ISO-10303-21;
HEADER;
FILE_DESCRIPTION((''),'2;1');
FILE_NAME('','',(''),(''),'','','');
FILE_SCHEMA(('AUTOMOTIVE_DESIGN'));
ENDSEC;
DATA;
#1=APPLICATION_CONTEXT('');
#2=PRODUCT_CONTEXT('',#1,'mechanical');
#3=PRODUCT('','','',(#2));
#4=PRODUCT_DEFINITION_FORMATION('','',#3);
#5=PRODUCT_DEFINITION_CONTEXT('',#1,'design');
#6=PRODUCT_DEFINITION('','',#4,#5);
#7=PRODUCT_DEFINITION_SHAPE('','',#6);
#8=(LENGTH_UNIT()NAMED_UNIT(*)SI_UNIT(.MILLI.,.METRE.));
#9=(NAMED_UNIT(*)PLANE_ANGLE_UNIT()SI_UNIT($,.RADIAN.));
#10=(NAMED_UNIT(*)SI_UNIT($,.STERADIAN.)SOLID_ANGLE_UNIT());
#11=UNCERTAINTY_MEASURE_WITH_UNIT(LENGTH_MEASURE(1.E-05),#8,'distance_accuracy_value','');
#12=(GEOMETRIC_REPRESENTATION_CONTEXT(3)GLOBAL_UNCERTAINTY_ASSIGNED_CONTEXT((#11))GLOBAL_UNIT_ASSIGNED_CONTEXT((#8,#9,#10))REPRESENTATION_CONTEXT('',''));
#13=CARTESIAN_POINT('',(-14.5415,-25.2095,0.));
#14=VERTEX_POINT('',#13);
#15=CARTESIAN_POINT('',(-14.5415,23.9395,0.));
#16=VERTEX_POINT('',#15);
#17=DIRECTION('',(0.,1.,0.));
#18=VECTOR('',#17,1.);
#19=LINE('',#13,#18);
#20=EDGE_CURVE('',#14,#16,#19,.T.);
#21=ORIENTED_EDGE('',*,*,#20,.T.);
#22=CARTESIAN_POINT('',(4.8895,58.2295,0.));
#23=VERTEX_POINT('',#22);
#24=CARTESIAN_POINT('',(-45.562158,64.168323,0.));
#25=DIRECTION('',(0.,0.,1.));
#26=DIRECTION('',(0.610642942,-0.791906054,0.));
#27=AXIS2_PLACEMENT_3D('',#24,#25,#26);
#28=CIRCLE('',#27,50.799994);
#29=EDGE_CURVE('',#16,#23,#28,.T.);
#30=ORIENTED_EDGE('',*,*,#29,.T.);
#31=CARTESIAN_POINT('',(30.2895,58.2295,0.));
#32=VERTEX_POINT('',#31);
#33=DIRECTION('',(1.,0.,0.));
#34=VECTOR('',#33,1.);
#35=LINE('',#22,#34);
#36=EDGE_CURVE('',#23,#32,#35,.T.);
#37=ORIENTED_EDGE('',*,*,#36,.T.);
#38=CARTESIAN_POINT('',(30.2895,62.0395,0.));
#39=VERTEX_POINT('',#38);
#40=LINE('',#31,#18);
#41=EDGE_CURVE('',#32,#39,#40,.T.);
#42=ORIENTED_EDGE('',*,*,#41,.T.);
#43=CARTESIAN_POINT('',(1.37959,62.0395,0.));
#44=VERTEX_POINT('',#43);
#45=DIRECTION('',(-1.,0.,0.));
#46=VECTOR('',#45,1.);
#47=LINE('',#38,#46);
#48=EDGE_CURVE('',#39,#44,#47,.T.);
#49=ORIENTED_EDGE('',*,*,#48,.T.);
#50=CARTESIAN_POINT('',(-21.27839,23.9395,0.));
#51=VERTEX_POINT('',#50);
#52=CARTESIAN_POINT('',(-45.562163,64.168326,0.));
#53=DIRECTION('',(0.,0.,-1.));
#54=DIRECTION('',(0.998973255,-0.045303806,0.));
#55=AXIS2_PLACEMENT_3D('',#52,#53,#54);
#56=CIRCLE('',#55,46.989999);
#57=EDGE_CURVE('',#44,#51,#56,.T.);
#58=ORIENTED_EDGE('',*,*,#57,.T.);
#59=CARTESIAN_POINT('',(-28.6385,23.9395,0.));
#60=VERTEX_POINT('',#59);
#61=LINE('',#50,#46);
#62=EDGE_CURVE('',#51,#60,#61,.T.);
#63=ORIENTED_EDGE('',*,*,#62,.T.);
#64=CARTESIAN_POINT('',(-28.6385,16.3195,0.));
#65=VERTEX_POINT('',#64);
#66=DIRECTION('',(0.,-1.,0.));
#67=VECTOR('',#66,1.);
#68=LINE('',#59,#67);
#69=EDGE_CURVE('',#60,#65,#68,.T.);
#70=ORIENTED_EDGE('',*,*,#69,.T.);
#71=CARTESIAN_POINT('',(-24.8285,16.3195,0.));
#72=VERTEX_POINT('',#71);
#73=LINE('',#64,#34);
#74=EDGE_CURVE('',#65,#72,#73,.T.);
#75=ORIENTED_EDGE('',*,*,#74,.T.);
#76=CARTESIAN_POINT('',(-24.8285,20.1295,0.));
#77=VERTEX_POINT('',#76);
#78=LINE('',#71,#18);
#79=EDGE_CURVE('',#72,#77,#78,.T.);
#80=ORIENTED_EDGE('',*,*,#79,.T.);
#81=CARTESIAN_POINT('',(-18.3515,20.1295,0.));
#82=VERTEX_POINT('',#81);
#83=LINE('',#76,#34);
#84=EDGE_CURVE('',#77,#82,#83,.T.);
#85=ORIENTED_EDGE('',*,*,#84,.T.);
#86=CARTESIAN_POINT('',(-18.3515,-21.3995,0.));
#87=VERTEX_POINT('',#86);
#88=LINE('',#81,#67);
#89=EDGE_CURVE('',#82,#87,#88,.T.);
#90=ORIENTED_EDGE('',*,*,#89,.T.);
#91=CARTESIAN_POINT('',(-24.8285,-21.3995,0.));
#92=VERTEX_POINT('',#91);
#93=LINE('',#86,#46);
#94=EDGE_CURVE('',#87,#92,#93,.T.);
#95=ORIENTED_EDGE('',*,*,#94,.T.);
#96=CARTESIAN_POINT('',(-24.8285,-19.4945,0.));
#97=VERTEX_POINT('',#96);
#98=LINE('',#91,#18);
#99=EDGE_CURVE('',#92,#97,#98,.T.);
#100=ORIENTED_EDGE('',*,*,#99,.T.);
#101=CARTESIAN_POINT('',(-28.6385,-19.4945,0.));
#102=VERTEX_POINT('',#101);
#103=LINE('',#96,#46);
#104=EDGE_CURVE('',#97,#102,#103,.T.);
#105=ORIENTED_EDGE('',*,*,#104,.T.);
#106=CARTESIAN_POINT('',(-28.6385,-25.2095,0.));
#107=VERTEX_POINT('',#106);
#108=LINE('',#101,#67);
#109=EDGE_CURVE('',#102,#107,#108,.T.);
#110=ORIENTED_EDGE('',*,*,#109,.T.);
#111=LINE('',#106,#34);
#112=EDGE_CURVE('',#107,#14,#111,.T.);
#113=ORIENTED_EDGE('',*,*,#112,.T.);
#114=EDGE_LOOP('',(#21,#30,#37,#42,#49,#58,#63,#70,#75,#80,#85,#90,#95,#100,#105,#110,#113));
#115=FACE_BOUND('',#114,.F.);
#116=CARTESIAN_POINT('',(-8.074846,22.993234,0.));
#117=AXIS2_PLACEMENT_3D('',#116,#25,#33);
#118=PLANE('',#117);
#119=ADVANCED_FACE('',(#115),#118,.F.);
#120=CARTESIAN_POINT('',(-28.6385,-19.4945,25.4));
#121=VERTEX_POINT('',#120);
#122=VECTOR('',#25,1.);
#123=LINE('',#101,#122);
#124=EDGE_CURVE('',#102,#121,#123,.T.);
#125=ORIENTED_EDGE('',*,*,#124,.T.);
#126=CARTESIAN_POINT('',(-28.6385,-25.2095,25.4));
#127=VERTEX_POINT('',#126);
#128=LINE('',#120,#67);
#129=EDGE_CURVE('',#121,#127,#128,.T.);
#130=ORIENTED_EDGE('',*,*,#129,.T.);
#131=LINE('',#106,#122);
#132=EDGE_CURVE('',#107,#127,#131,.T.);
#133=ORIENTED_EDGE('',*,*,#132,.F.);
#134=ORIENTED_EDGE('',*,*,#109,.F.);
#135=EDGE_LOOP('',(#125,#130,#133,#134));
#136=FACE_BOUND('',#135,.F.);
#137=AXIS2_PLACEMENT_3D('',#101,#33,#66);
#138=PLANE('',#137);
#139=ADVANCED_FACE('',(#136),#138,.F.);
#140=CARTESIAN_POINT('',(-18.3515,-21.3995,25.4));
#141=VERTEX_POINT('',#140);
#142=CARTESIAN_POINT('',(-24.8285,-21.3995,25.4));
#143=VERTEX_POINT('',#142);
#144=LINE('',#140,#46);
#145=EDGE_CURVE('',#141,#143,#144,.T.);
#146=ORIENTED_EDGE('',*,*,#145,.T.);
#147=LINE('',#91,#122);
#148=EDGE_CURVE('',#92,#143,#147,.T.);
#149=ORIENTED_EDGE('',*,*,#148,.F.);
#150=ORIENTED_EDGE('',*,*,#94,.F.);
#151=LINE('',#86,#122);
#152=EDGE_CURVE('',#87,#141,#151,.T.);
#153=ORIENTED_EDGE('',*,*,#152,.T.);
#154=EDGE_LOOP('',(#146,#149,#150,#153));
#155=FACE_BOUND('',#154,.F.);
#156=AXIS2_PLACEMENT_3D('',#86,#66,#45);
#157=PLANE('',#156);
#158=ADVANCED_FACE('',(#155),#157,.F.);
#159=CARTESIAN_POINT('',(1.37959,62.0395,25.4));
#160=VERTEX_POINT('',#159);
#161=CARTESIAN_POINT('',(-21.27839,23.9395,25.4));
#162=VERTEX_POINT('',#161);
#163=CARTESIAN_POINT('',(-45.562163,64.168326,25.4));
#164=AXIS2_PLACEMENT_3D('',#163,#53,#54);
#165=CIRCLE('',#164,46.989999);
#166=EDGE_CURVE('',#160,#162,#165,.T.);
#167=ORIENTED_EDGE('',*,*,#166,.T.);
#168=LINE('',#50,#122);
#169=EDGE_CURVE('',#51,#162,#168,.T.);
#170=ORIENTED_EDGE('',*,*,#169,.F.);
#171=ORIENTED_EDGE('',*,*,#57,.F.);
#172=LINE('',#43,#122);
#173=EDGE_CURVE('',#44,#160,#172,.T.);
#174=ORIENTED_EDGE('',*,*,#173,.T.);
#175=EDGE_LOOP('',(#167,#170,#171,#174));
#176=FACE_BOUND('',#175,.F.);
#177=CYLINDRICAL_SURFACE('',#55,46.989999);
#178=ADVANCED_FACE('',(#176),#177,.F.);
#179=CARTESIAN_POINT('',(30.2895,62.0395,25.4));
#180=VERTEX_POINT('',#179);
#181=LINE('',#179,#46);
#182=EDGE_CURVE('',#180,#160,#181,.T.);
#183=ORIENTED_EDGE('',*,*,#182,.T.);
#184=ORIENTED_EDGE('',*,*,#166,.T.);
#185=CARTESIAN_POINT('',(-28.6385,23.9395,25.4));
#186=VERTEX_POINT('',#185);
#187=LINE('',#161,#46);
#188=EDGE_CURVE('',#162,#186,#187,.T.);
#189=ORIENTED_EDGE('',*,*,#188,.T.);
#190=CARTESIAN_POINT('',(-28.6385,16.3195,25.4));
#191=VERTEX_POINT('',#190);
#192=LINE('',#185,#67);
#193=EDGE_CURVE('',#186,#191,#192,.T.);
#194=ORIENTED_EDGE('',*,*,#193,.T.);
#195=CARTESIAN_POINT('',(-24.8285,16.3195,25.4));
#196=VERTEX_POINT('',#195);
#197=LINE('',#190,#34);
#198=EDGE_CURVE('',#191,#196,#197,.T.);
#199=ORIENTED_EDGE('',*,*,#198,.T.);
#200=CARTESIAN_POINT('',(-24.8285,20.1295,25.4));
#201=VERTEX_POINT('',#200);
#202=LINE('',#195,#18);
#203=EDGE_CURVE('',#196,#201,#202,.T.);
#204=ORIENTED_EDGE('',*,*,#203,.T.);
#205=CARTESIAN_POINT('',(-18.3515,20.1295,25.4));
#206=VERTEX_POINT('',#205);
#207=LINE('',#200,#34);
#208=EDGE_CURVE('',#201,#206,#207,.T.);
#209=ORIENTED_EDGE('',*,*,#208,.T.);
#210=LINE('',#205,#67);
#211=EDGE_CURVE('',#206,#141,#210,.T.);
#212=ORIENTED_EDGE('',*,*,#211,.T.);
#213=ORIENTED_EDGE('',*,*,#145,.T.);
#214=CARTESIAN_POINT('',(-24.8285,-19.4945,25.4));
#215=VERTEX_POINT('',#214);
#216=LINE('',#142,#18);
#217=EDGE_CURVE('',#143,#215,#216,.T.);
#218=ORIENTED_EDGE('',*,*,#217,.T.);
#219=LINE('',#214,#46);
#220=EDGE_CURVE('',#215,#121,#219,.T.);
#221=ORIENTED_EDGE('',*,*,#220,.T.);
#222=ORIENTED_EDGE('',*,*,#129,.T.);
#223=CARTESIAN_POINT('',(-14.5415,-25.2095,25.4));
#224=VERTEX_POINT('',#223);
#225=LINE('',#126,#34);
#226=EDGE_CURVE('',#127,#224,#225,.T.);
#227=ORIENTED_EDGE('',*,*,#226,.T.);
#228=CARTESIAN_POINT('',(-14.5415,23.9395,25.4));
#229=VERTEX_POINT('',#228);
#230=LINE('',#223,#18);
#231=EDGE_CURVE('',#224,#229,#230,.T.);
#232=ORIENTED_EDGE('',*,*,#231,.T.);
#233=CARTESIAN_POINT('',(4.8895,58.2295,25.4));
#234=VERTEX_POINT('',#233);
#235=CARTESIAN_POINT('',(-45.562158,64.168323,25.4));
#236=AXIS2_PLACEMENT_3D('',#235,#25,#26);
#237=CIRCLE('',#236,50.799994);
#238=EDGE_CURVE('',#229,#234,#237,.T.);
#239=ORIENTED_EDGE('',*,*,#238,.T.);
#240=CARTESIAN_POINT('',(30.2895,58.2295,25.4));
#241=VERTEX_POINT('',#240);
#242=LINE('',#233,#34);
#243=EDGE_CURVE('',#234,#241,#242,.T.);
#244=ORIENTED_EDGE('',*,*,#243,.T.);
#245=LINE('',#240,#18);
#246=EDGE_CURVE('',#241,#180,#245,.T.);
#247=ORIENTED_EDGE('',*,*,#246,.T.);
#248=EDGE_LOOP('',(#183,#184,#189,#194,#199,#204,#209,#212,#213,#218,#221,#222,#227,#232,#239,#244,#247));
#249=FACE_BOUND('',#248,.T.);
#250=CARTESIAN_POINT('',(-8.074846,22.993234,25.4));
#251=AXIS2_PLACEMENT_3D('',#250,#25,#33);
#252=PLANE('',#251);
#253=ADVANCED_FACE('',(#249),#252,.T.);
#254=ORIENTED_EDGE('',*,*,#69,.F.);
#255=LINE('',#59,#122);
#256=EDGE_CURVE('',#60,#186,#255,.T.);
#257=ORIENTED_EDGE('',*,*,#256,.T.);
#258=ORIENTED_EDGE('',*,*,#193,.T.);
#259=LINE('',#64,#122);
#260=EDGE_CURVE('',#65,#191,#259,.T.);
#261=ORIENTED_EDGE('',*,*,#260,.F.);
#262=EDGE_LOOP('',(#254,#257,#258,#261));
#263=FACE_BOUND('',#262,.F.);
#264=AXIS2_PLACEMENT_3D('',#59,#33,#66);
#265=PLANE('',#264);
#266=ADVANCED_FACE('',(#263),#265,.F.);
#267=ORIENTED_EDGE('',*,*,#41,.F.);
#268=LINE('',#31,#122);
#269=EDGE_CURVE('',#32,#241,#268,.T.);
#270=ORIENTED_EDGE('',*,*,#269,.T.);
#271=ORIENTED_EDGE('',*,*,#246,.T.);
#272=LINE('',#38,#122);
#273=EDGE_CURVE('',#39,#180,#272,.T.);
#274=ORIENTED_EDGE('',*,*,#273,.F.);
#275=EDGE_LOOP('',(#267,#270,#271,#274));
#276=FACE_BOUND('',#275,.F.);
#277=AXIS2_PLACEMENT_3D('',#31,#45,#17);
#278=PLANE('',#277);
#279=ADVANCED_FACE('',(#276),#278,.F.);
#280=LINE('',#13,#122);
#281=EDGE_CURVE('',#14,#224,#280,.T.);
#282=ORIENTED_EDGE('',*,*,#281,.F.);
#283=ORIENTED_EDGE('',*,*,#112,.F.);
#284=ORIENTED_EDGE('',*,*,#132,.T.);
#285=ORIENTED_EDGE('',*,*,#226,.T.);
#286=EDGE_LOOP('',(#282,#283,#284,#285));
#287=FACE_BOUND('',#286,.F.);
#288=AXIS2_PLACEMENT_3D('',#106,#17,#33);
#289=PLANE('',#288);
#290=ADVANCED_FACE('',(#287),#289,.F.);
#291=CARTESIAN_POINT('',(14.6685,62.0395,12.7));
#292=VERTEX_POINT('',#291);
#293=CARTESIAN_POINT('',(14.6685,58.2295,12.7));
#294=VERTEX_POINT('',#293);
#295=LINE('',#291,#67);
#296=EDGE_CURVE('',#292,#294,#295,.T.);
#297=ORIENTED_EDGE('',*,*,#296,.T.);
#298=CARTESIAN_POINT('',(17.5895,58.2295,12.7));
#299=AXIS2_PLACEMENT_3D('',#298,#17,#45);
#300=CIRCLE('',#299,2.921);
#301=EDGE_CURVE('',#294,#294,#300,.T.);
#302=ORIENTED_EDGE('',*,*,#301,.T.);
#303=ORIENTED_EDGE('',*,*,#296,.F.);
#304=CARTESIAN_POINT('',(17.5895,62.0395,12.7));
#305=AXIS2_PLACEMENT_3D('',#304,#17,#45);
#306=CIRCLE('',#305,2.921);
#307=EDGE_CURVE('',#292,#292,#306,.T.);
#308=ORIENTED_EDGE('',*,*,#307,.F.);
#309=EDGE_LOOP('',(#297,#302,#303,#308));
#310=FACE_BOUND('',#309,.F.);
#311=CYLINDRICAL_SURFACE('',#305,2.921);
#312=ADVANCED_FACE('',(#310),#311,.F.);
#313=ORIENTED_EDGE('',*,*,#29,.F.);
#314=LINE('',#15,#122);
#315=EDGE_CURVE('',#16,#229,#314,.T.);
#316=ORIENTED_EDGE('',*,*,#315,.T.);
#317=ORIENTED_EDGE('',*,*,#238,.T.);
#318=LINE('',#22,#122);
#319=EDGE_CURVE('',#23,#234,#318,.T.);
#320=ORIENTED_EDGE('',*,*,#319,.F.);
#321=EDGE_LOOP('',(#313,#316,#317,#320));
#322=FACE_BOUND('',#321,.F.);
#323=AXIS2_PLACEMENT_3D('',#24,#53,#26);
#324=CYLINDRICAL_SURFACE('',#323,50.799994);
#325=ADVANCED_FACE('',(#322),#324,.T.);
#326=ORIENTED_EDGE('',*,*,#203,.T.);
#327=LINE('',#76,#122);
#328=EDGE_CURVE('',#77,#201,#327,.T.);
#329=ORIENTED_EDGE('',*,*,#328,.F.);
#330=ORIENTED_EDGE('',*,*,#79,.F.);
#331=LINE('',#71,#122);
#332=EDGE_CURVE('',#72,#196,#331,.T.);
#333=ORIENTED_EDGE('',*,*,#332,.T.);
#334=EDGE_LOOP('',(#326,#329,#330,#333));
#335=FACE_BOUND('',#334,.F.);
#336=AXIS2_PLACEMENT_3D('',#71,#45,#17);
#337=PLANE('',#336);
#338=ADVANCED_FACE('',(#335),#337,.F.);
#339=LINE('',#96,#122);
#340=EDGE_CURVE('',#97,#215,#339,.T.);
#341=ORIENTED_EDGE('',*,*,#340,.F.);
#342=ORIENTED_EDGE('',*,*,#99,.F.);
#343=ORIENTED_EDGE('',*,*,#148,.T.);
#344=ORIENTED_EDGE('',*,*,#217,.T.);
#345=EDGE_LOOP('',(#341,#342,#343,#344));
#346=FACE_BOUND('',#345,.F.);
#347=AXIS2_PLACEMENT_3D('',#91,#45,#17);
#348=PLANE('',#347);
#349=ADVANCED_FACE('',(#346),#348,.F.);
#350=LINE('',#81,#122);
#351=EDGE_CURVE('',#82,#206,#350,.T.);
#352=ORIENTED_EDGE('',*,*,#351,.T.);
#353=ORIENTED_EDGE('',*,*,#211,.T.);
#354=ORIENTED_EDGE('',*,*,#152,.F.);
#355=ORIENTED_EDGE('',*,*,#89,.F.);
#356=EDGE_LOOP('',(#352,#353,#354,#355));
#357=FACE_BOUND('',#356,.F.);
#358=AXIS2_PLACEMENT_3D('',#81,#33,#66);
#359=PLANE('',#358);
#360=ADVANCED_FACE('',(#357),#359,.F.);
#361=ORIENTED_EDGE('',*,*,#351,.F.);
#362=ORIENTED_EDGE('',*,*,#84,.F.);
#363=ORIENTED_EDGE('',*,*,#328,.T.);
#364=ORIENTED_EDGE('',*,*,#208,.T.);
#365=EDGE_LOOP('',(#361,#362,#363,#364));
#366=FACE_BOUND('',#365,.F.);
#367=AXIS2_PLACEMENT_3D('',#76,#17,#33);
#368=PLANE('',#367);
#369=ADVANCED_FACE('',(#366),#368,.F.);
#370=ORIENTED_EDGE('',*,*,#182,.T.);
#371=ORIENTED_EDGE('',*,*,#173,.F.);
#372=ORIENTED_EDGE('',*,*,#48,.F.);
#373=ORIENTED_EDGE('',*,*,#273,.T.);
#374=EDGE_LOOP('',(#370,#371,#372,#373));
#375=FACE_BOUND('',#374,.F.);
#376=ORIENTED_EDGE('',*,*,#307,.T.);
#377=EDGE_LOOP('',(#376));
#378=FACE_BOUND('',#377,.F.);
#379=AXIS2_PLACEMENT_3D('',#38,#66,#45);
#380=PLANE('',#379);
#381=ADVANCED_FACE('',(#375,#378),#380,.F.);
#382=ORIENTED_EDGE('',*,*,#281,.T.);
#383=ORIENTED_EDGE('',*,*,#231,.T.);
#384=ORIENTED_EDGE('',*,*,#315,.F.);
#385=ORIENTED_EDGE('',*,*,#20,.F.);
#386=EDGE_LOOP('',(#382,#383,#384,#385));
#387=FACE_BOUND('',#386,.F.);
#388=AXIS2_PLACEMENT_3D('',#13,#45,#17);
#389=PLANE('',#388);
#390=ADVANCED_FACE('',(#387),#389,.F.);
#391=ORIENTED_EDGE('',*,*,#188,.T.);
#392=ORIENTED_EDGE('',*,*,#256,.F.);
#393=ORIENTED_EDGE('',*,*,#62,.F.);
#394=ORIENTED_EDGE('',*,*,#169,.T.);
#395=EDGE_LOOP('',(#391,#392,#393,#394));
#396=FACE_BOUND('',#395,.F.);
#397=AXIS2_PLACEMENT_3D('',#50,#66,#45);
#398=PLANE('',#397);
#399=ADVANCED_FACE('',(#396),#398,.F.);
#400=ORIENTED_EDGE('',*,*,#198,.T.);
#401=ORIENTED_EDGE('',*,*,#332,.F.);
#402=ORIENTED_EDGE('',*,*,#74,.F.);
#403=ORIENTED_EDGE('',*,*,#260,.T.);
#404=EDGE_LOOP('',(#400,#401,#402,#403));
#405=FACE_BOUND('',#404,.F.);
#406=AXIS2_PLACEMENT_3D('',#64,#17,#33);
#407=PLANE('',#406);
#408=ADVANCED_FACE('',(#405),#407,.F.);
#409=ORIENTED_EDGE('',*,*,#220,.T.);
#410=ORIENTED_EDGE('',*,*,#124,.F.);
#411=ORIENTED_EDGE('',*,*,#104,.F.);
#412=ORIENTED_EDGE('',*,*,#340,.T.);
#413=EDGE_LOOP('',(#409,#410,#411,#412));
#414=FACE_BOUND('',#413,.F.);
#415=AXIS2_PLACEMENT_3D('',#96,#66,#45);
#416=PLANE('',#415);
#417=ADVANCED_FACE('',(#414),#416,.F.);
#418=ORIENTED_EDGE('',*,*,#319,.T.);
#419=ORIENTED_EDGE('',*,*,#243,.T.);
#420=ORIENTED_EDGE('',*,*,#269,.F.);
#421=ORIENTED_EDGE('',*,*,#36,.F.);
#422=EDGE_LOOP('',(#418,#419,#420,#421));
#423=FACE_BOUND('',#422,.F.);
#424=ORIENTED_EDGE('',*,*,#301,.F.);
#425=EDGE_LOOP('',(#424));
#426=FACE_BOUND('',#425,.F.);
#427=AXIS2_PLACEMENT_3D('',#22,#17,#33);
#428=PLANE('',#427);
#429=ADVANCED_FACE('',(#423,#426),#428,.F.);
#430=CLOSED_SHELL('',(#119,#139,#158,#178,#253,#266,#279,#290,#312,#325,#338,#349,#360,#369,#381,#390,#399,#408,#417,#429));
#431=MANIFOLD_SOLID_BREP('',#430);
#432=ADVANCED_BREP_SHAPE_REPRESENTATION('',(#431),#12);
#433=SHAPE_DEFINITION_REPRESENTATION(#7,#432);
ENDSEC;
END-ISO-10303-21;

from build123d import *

# Parameters (mm, degrees)
F1_DEPTH = 25.4
F2_R     = 2.921
F3_DEPTH = 87.25


with BuildPart() as f1:
    # F0 (on Top) → F1 (new body)
    with BuildSketch(Plane.XY):
        with BuildLine():
            Line((-24.8285, 20.1295), (-18.3515, 20.1295))
            Line((-18.3515, 20.1295), (-18.3515, -21.3995))
            Line((-18.3515, -21.3995), (-24.8285, -21.3995))
            Line((-24.8285, -21.3995), (-24.8285, -19.4945))
            Line((-24.8285, -19.4945), (-28.6385, -19.4945))
            Line((-28.6385, -19.4945), (-28.6385, -25.2095))
            Line((-28.6385, -25.2095), (-14.5415, -25.2095))
            Line((-14.5415, -25.2095), (-14.5415, 20.1295))
            Line((-14.5415, 20.1295), (-14.5415, 23.9395))
            ThreePointArc((-14.5415, 23.9395), (-1.365036, 39.123287), (4.8895, 58.2295))
            Line((4.8895, 58.2295), (30.2895, 58.2295))
            Line((30.2895, 58.2295), (30.2895, 62.0395))
            Line((30.2895, 62.0395), (1.37959, 62.0395))
            ThreePointArc((1.37959, 62.0395), (-5.1744, 40.149819), (-21.27839, 23.9395))
            Line((-21.27839, 23.9395), (-28.6385, 23.9395))
            Line((-28.6385, 23.9395), (-28.6385, 16.3195))
            Line((-28.6385, 16.3195), (-24.8285, 16.3195))
            Line((-24.8285, 16.3195), (-24.8285, 20.1295))
        make_face()
    extrude(amount=F1_DEPTH)

    # F2 (on face) → F3 (cut, through all)
    with BuildSketch(Plane(origin=(0, 62.0395, 0), x_dir=(-1, 0, 0), z_dir=(0, 1, 0))):
        with Locations((-17.5895, 12.7)):
            Circle(F2_R)
    extrude(amount=-F3_DEPTH, mode=Mode.SUBTRACT)


solid = f1.part
